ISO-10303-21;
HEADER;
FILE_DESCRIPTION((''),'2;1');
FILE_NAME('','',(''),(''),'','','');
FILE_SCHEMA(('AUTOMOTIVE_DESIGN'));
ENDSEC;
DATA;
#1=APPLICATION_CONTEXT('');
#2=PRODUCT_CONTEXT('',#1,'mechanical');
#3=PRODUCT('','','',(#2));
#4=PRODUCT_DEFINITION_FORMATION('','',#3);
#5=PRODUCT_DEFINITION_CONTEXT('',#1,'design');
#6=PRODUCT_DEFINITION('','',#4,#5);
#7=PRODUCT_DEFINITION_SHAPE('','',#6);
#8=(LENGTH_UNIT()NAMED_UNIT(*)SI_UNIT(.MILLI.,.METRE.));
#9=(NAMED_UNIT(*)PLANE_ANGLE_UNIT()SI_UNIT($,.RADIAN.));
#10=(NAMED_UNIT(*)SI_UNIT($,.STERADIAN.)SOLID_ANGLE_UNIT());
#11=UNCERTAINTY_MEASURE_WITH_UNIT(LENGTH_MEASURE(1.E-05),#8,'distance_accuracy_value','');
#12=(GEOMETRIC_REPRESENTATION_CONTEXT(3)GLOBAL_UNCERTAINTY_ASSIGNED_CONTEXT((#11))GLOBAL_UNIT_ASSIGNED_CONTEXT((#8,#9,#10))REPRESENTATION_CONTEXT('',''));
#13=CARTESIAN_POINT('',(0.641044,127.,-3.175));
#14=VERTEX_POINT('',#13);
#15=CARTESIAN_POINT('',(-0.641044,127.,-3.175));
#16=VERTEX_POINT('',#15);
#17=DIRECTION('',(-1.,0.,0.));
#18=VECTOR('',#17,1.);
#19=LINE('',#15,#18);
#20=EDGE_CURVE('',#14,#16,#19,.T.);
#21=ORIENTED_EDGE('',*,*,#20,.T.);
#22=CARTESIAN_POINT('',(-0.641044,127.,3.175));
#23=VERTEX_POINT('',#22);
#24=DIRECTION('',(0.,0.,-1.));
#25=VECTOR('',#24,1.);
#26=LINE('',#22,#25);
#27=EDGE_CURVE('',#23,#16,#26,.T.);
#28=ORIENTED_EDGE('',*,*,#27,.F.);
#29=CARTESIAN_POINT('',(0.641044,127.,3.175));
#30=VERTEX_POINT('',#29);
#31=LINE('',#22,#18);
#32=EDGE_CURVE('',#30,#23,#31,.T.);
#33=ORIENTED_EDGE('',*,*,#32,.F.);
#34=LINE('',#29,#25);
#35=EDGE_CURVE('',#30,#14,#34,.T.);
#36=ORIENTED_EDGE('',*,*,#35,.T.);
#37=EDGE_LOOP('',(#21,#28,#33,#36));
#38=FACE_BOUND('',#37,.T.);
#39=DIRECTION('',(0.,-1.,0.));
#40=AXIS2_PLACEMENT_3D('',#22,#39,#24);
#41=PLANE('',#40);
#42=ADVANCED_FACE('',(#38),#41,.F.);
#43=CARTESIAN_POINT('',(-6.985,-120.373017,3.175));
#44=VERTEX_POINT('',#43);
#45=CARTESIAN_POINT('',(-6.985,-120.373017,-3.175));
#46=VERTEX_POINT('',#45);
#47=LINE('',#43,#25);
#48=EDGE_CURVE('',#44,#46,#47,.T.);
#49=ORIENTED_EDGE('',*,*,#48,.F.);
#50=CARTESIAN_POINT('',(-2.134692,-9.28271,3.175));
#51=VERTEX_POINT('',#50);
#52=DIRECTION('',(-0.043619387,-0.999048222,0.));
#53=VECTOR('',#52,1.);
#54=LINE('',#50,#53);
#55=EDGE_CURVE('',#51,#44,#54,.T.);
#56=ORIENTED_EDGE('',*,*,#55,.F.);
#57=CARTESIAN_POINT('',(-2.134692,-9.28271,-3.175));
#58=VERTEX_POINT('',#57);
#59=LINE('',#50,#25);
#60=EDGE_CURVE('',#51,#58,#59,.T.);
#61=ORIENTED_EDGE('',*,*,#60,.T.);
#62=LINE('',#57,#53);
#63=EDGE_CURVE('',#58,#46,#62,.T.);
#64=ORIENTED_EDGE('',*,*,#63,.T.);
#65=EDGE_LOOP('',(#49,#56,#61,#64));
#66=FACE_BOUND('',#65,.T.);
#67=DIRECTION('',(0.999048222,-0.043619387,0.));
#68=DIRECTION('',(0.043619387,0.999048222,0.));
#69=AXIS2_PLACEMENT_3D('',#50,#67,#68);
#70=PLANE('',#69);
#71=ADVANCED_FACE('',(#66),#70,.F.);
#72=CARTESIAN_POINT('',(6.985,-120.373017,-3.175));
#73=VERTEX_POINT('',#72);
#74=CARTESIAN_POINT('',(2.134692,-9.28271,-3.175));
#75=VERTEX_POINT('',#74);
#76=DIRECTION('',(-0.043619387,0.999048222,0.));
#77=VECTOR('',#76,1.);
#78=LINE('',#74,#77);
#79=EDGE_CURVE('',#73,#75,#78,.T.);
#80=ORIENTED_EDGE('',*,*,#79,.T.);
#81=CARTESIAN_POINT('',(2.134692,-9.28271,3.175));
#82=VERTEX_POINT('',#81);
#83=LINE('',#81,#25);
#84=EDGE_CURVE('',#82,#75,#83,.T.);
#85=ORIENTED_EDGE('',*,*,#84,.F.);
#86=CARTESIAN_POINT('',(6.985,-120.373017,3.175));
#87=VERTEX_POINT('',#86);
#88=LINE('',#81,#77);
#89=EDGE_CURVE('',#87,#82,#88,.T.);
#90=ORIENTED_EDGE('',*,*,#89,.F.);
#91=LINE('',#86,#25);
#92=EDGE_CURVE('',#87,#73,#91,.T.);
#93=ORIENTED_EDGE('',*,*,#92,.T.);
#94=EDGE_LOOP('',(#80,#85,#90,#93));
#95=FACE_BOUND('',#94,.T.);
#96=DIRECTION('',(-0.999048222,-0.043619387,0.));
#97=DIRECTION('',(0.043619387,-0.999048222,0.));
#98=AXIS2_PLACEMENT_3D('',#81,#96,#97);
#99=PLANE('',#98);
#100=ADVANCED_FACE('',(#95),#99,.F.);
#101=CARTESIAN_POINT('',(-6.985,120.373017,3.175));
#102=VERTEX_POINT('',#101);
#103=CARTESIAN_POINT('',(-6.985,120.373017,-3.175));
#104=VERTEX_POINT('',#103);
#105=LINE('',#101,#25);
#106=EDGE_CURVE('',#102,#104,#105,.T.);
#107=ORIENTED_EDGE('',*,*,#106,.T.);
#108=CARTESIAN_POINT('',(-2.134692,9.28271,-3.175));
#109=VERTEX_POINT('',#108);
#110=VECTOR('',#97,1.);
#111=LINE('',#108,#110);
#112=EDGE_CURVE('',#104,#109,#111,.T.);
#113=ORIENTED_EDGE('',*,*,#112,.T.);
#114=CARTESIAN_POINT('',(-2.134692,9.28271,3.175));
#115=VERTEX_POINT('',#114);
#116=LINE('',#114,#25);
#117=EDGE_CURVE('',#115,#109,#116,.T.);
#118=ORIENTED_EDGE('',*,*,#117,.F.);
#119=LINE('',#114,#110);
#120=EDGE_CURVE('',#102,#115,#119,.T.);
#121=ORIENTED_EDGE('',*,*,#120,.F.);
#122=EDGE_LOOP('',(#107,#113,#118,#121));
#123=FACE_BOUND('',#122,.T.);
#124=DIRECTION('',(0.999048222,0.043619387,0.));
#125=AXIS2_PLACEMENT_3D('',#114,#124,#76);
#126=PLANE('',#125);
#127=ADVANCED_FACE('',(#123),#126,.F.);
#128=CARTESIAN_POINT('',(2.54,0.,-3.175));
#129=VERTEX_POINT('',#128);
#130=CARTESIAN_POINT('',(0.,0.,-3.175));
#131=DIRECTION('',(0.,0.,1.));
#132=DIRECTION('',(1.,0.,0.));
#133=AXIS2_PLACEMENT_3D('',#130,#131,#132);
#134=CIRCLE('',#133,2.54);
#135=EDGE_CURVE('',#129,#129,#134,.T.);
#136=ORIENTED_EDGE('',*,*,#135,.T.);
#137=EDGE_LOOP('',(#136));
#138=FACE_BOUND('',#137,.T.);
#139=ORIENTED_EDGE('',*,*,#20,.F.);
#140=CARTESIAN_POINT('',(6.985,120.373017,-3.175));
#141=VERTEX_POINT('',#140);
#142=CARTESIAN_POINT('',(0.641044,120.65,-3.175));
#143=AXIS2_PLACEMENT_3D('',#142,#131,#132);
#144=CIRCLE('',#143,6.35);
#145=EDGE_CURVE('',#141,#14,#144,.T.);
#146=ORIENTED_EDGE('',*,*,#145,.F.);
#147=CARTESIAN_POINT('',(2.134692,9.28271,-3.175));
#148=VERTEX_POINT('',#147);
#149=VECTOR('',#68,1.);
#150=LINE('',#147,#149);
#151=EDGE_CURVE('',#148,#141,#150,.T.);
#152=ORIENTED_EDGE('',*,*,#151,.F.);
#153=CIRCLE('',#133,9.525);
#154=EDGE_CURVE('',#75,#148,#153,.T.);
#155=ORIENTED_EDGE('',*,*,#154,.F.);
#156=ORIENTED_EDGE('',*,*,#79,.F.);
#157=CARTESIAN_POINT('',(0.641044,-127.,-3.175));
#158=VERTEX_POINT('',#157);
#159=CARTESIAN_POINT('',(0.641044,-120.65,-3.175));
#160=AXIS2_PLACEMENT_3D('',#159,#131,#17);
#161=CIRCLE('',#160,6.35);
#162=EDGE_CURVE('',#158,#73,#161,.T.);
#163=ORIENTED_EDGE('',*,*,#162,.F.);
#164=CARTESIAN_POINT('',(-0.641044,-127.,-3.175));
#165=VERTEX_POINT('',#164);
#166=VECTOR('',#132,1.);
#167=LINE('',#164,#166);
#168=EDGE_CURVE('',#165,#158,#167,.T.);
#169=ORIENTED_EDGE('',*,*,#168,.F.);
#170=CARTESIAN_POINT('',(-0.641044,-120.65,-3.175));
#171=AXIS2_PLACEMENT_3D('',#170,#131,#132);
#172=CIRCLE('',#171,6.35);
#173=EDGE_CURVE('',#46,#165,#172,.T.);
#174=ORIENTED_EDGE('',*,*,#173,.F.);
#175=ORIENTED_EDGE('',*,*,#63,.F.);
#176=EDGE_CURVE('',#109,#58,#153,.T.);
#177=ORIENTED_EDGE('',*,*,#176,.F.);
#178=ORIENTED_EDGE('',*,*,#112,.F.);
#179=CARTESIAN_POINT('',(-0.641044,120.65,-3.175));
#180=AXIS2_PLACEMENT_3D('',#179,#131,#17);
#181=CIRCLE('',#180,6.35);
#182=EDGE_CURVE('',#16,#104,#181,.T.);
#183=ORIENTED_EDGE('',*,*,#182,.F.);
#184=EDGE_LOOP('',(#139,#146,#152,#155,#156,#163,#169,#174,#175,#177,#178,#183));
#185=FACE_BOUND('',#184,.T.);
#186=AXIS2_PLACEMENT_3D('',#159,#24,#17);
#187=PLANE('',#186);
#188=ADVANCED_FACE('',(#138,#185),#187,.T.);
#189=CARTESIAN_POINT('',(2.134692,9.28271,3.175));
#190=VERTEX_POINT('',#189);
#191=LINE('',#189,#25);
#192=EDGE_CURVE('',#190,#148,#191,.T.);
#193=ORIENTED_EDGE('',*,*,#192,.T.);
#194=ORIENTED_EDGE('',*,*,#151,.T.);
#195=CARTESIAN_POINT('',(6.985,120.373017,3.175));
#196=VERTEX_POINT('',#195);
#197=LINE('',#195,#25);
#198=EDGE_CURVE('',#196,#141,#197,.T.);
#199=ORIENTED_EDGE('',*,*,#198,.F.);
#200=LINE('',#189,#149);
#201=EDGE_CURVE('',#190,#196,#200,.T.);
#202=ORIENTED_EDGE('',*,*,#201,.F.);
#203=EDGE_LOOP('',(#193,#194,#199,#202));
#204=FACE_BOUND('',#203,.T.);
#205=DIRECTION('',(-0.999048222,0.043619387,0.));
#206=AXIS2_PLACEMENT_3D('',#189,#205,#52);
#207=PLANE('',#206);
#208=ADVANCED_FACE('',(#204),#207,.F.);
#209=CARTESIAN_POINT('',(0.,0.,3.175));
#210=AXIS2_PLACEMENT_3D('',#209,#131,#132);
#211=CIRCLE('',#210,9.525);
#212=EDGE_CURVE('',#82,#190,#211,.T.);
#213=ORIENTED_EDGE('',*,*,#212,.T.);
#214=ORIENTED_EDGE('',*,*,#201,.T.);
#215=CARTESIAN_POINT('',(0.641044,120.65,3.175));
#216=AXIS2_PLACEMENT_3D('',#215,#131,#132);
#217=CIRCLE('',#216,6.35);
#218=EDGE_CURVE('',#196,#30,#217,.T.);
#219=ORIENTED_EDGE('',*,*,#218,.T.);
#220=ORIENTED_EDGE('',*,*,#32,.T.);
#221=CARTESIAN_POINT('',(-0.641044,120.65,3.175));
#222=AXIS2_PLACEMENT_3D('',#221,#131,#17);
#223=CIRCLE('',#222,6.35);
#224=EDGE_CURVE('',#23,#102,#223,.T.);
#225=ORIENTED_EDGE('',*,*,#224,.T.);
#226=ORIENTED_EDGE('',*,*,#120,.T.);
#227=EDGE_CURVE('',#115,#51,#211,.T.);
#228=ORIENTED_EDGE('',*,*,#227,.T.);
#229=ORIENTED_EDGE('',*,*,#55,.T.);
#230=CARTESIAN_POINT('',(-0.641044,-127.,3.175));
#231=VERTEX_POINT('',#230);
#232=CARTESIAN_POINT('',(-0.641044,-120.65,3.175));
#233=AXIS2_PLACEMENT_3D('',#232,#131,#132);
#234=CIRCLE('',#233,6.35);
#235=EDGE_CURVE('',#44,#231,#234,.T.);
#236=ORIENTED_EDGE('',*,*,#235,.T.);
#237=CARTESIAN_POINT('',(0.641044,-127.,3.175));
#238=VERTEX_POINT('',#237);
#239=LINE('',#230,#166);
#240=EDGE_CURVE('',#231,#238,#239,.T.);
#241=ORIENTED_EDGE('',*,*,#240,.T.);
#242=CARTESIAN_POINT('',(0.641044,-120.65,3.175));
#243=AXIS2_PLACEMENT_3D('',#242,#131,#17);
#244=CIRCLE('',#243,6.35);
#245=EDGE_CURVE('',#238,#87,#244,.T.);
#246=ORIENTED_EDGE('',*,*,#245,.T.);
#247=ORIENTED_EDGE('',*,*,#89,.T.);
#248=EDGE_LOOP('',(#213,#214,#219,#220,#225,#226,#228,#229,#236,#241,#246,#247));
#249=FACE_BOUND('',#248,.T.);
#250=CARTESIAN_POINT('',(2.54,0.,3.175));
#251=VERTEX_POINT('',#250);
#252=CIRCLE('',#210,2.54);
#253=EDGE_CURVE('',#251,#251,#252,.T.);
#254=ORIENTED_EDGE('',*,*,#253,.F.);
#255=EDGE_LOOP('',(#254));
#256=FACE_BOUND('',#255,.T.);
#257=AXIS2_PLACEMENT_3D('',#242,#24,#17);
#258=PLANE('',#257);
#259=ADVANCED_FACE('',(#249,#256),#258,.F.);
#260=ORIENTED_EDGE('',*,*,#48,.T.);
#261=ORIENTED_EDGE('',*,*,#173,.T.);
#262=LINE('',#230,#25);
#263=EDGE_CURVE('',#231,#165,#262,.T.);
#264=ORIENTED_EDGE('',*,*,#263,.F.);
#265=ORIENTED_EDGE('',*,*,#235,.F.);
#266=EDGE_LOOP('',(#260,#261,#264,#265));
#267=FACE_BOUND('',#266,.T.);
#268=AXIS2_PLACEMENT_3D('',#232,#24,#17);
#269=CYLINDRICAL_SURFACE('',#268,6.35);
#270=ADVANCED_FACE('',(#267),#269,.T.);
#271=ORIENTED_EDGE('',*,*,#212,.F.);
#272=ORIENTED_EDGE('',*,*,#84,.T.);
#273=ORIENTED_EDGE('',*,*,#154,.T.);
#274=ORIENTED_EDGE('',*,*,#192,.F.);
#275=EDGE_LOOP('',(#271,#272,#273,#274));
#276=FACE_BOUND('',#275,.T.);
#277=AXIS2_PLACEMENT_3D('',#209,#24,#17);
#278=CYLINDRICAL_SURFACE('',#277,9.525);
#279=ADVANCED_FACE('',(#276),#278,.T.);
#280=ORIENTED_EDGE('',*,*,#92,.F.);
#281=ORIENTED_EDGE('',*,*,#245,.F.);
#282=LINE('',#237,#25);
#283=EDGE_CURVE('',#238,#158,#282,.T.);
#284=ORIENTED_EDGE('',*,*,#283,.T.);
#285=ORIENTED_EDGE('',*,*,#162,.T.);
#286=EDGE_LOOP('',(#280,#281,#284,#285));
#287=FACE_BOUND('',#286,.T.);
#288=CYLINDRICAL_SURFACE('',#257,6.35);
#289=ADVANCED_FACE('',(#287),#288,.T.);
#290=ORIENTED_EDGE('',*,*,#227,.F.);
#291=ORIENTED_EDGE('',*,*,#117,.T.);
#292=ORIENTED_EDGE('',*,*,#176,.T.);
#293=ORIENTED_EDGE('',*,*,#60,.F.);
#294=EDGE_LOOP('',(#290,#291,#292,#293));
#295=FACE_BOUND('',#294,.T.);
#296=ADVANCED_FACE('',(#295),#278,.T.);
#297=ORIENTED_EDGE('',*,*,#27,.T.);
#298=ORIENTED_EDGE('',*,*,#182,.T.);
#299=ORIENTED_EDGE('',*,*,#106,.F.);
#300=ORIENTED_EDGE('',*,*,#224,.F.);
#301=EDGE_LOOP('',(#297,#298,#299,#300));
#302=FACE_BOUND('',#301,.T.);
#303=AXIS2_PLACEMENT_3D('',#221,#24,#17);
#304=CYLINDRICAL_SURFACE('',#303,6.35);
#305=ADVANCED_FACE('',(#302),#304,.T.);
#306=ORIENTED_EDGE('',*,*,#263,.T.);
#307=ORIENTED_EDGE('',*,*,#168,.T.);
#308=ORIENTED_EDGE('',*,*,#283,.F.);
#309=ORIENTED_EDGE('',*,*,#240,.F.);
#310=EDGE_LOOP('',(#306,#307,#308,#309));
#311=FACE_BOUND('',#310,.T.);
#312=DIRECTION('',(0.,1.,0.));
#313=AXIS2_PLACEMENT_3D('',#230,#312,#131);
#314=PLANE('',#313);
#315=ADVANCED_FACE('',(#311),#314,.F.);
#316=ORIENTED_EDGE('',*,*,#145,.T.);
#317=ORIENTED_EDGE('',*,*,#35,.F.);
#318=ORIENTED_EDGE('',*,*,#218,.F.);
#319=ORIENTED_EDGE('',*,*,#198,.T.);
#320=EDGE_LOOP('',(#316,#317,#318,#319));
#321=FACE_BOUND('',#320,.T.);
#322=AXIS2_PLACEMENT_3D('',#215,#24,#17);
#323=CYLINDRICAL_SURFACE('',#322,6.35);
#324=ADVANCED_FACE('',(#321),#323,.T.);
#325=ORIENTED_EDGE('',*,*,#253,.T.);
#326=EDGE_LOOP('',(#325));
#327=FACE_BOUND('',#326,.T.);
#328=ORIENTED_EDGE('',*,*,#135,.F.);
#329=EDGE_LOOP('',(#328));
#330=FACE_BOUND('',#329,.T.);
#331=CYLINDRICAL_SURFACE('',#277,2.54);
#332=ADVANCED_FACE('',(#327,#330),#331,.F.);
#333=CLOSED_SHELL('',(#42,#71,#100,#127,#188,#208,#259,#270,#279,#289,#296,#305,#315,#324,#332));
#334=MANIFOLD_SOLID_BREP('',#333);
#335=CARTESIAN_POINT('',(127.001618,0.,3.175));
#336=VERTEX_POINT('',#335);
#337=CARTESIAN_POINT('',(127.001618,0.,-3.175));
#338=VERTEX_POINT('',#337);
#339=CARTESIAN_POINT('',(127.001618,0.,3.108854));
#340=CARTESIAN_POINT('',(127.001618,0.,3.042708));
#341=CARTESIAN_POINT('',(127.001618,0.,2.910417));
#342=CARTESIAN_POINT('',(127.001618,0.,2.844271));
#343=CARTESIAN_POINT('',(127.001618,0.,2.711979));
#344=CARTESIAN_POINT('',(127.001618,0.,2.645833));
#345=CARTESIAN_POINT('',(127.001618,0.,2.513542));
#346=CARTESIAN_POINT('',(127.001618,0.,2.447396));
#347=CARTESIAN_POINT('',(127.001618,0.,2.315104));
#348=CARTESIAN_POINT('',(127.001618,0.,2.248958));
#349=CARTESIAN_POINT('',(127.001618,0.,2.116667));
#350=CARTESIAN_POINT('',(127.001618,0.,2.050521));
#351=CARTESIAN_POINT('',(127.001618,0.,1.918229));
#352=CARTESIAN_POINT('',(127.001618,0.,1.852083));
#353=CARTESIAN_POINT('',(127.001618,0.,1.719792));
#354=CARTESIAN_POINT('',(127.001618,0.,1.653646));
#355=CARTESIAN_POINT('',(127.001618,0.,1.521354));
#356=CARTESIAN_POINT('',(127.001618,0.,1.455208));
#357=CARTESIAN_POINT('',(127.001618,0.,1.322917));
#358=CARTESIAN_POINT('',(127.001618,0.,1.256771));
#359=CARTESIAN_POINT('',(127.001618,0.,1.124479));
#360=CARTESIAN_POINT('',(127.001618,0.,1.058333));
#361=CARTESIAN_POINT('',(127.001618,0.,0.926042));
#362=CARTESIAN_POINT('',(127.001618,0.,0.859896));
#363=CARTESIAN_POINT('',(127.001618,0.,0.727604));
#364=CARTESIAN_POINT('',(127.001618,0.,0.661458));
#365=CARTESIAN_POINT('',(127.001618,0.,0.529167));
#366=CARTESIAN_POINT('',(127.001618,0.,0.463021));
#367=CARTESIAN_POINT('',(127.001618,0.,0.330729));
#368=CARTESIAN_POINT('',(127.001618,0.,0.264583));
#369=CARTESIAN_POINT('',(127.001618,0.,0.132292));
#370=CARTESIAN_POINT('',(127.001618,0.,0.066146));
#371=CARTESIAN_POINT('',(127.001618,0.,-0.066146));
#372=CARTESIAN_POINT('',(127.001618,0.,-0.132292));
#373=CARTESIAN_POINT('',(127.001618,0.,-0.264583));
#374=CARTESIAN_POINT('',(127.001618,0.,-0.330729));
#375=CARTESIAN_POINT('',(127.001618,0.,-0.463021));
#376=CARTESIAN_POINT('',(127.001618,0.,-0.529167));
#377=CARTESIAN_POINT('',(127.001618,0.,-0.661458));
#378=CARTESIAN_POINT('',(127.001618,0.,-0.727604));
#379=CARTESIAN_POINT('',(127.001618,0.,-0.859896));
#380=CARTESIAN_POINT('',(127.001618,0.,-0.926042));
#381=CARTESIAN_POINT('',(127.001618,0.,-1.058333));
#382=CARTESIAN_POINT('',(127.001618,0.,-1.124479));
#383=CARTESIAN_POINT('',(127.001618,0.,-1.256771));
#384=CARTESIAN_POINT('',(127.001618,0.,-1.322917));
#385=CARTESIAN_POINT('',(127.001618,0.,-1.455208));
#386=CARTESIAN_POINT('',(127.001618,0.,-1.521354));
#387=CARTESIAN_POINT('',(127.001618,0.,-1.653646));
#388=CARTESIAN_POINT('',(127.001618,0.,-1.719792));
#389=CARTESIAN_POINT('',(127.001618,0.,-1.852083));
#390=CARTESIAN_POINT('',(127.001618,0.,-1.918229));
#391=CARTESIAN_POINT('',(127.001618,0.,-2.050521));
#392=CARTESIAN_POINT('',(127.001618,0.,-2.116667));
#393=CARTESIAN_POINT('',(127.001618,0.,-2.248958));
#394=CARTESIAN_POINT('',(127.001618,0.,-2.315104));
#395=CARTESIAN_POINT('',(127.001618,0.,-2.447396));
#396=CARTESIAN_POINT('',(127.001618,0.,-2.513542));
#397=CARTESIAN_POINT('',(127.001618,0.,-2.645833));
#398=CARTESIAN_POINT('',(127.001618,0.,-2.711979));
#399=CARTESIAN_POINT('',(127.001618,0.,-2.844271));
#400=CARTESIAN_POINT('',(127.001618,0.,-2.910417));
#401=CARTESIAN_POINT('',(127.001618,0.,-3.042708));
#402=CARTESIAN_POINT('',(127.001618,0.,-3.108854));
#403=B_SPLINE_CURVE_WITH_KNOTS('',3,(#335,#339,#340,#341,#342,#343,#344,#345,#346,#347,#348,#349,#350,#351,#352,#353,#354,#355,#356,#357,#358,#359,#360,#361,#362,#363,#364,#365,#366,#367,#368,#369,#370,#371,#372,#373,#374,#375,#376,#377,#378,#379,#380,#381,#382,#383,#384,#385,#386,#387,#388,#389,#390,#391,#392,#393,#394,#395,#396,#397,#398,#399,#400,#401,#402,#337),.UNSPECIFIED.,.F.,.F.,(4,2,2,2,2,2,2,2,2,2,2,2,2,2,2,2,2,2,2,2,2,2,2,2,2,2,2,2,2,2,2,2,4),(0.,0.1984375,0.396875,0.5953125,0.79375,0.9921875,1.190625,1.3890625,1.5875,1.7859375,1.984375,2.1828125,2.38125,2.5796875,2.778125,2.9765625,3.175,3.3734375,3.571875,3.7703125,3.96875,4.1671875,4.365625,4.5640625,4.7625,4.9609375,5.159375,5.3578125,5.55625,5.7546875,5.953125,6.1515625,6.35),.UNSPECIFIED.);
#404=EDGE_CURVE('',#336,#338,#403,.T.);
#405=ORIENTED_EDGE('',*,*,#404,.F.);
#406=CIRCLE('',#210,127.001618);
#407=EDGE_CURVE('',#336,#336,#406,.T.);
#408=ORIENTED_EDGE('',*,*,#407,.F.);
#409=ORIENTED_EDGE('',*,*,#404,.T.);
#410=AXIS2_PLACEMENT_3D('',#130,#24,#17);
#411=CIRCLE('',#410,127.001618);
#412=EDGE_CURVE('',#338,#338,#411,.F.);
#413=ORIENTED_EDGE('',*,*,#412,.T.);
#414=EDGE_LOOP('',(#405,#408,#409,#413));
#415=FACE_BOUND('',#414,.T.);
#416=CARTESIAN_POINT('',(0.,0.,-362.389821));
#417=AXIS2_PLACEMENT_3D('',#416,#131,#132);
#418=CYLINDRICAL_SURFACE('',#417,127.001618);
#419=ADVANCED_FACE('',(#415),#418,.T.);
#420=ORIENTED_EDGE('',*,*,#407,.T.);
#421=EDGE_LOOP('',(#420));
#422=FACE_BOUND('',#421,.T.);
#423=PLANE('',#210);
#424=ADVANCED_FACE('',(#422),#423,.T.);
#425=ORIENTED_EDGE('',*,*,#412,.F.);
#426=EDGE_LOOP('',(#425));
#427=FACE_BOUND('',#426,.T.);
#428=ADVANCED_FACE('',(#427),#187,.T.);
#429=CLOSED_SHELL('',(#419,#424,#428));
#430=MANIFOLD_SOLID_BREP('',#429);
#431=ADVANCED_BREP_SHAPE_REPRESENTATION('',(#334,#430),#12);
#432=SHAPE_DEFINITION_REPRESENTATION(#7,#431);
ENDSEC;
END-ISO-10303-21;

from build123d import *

# Parameters (mm, degrees)
SKETCH1_R           = 2.54
BOSS_EXTRUDE1_DEPTH = 3.175
SKETCH2_R           = 127.001617852
BOSS_EXTRUDE2_DEPTH = 6.35


with BuildPart() as part:
    # Sketch1 → Boss-Extrude1 (new, symmetric)
    with BuildSketch(Plane(origin=(0, 0, 0), x_dir=(0, 1, 0), z_dir=(0, 0, 1))):
        with BuildLine():
            Line((-9.282710437, 2.134692472), (-120.37301689, 6.985))
            ThreePointArc((-120.37301689, 6.985), (-125.041107904, 5.228054952), (-127, 0.641043793))
            Line((-127, 0.641043793), (-127, -0.641043793))
            ThreePointArc((-127, -0.641043793), (-125.041107904, -5.228054952), (-120.37301689, -6.985))
            Line((-120.37301689, -6.985), (-9.282710437, -2.134692472))
            ThreePointArc((-9.282710437, -2.134692472), (0, -9.525), (9.282710437, -2.134692472))
            Line((9.282710437, -2.134692472), (120.37301689, -6.985))
            ThreePointArc((120.37301689, -6.985), (125.041107904, -5.228054952), (127, -0.641043793))
            Line((127, -0.641043793), (127, 0.641043793))
            ThreePointArc((127, 0.641043793), (125.041107904, 5.228054952), (120.37301689, 6.985))
            Line((120.37301689, 6.985), (9.282710437, 2.134692472))
            ThreePointArc((9.282710437, 2.134692472), (0, 9.525), (-9.282710437, 2.134692472))
        make_face()
        with Locations(Location((0, 0, 0), (0, 0, 270))):
            Circle(SKETCH1_R, mode=Mode.SUBTRACT)
    extrude(amount=BOSS_EXTRUDE1_DEPTH, both=True)


with BuildPart() as body_2:
    # Sketch2 → Boss-Extrude2 (new body)
    with BuildSketch(Plane.XY.offset(3.175)):
        Circle(SKETCH2_R)
    extrude(amount=-BOSS_EXTRUDE2_DEPTH)


solid = Compound([part.part, body_2.part])
